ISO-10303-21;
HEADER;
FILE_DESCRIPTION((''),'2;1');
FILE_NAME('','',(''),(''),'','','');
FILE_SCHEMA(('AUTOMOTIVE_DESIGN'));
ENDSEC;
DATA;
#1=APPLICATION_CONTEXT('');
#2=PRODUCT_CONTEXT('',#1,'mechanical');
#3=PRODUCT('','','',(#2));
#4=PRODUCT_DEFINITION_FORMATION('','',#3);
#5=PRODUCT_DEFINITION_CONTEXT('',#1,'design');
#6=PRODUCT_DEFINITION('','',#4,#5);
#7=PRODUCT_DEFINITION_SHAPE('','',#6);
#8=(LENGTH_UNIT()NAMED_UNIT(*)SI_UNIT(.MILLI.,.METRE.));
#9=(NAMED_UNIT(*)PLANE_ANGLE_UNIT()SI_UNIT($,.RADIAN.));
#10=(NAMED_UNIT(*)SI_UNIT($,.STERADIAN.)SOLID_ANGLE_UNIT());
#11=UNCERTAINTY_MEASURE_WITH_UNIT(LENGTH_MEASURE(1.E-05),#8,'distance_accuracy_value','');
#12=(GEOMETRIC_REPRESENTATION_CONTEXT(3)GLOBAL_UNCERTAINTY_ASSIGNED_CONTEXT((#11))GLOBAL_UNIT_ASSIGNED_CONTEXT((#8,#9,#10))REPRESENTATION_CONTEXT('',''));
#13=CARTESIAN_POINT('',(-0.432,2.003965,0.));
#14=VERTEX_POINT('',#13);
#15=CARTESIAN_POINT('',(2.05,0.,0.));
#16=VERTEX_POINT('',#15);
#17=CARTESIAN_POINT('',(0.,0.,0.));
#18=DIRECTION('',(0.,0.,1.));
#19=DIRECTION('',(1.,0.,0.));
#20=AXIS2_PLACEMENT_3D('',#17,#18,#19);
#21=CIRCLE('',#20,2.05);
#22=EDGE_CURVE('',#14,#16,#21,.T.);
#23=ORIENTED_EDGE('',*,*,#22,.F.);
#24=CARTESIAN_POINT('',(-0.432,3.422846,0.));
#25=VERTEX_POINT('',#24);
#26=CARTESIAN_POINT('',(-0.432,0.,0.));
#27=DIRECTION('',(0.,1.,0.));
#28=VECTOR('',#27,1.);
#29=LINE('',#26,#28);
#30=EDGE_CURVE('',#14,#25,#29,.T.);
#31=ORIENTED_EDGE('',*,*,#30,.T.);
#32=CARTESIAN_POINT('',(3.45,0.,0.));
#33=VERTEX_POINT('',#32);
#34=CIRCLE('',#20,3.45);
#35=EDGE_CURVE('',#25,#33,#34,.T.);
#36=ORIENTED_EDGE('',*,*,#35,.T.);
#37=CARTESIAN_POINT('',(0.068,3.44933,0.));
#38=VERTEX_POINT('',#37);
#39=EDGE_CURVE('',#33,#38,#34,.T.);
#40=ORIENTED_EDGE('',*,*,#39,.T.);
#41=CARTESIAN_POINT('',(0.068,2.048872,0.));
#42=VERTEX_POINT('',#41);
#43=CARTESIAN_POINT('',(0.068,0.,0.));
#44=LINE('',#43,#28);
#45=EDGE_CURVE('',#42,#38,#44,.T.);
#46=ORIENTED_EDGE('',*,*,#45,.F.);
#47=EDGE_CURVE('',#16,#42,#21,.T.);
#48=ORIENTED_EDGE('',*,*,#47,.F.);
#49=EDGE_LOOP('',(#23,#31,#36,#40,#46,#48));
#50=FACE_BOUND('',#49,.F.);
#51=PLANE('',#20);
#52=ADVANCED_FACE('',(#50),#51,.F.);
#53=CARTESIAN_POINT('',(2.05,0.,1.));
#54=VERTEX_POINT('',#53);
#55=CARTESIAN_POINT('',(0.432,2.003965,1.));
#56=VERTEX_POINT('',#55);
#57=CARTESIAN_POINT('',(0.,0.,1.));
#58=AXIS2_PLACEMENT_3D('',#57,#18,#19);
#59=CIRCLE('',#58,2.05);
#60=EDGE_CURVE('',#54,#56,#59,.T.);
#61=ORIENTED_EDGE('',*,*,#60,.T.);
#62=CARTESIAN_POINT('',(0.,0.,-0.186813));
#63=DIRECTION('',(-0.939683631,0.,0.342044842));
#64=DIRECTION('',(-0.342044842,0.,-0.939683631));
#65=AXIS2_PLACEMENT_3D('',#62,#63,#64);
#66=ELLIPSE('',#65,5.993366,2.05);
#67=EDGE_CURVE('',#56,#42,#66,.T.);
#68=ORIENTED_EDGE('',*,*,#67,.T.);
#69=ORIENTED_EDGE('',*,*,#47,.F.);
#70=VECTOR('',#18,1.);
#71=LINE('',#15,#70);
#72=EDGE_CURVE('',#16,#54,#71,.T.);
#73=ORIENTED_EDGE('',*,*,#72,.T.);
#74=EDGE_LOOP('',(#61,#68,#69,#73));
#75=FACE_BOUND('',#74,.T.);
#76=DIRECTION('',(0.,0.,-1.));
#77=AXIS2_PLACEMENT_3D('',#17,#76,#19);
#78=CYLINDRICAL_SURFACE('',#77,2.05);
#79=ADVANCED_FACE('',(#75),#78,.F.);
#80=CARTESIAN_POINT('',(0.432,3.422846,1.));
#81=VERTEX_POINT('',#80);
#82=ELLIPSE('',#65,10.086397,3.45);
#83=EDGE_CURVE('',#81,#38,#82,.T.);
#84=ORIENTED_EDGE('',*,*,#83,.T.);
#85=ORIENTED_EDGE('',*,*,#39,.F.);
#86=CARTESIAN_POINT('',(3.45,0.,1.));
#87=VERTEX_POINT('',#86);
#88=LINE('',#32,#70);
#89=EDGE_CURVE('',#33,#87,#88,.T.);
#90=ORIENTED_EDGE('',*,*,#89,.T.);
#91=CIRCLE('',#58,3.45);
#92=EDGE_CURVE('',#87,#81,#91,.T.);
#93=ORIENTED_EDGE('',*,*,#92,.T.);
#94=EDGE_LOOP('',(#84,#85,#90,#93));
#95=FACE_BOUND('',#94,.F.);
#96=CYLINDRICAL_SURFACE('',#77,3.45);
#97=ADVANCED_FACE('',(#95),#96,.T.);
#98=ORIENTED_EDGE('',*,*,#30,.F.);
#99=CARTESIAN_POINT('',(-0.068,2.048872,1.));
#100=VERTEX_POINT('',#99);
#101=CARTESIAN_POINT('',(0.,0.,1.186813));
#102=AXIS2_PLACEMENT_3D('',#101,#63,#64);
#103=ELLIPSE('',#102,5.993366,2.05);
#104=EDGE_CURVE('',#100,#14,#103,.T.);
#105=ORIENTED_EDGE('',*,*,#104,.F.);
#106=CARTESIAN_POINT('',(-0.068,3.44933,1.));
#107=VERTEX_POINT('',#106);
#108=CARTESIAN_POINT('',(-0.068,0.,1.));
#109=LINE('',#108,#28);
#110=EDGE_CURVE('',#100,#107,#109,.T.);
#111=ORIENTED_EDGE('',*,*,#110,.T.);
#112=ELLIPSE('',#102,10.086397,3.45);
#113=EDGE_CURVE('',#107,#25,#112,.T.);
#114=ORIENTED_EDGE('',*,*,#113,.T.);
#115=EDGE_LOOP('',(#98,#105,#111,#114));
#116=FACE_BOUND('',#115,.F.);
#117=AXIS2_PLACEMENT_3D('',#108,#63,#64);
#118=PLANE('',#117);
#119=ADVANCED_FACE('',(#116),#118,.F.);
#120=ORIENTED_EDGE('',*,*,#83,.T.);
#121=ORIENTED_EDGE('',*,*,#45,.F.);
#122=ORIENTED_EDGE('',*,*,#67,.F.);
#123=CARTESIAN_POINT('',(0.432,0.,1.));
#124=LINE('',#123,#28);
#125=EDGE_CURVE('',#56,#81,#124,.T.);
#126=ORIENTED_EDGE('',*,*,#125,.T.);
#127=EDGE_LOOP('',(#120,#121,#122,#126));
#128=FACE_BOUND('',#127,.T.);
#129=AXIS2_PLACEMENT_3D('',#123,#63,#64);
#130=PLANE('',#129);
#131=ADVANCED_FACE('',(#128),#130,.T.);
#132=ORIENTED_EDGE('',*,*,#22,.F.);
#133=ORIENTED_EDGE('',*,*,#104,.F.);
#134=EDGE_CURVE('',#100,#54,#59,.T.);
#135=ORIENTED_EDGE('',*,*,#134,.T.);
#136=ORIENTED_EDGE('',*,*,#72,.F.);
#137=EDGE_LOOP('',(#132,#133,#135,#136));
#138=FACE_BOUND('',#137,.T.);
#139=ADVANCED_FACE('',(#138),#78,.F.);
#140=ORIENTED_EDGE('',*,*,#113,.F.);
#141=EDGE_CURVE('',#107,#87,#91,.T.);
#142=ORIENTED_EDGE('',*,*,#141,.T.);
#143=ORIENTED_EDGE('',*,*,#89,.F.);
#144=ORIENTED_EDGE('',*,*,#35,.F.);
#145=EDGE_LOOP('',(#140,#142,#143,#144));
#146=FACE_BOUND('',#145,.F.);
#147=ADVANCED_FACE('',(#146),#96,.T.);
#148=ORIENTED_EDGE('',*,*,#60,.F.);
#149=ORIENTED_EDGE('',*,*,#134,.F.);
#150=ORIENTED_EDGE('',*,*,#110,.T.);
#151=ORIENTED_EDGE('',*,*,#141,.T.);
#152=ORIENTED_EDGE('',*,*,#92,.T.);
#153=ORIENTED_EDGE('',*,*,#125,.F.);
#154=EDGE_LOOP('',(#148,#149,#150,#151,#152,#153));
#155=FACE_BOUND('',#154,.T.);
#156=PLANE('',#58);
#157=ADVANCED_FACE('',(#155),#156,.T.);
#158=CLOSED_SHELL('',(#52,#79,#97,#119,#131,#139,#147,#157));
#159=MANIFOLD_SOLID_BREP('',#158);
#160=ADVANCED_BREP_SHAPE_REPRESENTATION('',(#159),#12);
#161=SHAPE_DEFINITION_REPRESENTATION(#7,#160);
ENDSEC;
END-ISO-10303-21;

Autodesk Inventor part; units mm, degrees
ref_plane "XZ Plane" through (0, 0, 0) normal (0, 1, 0) x (-1, 0, 0)
ref_plane "XY Plane" through (0, 0, 0) normal (0, 0, 1) x (1, 0, 0)
sketch "Sketch1" plane through (0, 0, 0) normal (0, 0, 1) x (1, 0, 0)
  circle A0 centre (0, 0) radius 3.45
  circle A1 centre (0, 0) radius 2.05
  line L0 (-2.59, 0) -> (2.59, 0) construction
  line L1 (0, -2.59) -> (0, 2.59) construction
  dimension "d0" = 6.9
  dimension "d1" = 4.1
extrude "Выдавливание1" add sketch "Sketch1" along normal blind 1
sketch "Sketch2" plane through (0, 0, 0) normal (0, 1, 0) x (-1, 0, 0)
  line L0 (-2.05, 1) -> (2.05, 1) construction
  line L1 (2.05, 0) -> (-2.05, 0) construction
  line L2 (-0.432, 1) -> (-0.068, 0)
  line L3 (0.068, 1) -> (0.432, 0)
  line L4 (0, 0.5) -> (-0.182, 1) construction
  line L5 (0, 0) -> (0, 1) construction
  line L6 (-0.432, 1) -> (0.068, 1)
  line L7 (-0.068, 0) -> (0.432, 0)
  dimension "d4" = 70
  dimension "d13" = 0.5
extrude "Выдавливание2" cut sketch "Sketch2" along normal through all
ref_plane "Work Plane1" through (0, 0, 0) normal (1, 0, 0) x (0, 1, 0)
equation "\"d0\" = d + 2 * b"
equation "\"d1\" = d"
equation "\"d2\" = s_"
equation "\"d4\" = Angle"
equation "\"d13\" = 0.5 * s_"
equation "\"d7\" = s_"
equation "\"ND\" = 4"
equation "\"d\" = 4.1"
equation "\"b\" = 1.4"
equation "\"s_\" = 1"
equation "\"D_\" = 6.9"
equation "\"Angle\" = 70deg"
properties part number "Шайба У 4Л ГОСТ 6402-78" material "Сталь, мягкая"
